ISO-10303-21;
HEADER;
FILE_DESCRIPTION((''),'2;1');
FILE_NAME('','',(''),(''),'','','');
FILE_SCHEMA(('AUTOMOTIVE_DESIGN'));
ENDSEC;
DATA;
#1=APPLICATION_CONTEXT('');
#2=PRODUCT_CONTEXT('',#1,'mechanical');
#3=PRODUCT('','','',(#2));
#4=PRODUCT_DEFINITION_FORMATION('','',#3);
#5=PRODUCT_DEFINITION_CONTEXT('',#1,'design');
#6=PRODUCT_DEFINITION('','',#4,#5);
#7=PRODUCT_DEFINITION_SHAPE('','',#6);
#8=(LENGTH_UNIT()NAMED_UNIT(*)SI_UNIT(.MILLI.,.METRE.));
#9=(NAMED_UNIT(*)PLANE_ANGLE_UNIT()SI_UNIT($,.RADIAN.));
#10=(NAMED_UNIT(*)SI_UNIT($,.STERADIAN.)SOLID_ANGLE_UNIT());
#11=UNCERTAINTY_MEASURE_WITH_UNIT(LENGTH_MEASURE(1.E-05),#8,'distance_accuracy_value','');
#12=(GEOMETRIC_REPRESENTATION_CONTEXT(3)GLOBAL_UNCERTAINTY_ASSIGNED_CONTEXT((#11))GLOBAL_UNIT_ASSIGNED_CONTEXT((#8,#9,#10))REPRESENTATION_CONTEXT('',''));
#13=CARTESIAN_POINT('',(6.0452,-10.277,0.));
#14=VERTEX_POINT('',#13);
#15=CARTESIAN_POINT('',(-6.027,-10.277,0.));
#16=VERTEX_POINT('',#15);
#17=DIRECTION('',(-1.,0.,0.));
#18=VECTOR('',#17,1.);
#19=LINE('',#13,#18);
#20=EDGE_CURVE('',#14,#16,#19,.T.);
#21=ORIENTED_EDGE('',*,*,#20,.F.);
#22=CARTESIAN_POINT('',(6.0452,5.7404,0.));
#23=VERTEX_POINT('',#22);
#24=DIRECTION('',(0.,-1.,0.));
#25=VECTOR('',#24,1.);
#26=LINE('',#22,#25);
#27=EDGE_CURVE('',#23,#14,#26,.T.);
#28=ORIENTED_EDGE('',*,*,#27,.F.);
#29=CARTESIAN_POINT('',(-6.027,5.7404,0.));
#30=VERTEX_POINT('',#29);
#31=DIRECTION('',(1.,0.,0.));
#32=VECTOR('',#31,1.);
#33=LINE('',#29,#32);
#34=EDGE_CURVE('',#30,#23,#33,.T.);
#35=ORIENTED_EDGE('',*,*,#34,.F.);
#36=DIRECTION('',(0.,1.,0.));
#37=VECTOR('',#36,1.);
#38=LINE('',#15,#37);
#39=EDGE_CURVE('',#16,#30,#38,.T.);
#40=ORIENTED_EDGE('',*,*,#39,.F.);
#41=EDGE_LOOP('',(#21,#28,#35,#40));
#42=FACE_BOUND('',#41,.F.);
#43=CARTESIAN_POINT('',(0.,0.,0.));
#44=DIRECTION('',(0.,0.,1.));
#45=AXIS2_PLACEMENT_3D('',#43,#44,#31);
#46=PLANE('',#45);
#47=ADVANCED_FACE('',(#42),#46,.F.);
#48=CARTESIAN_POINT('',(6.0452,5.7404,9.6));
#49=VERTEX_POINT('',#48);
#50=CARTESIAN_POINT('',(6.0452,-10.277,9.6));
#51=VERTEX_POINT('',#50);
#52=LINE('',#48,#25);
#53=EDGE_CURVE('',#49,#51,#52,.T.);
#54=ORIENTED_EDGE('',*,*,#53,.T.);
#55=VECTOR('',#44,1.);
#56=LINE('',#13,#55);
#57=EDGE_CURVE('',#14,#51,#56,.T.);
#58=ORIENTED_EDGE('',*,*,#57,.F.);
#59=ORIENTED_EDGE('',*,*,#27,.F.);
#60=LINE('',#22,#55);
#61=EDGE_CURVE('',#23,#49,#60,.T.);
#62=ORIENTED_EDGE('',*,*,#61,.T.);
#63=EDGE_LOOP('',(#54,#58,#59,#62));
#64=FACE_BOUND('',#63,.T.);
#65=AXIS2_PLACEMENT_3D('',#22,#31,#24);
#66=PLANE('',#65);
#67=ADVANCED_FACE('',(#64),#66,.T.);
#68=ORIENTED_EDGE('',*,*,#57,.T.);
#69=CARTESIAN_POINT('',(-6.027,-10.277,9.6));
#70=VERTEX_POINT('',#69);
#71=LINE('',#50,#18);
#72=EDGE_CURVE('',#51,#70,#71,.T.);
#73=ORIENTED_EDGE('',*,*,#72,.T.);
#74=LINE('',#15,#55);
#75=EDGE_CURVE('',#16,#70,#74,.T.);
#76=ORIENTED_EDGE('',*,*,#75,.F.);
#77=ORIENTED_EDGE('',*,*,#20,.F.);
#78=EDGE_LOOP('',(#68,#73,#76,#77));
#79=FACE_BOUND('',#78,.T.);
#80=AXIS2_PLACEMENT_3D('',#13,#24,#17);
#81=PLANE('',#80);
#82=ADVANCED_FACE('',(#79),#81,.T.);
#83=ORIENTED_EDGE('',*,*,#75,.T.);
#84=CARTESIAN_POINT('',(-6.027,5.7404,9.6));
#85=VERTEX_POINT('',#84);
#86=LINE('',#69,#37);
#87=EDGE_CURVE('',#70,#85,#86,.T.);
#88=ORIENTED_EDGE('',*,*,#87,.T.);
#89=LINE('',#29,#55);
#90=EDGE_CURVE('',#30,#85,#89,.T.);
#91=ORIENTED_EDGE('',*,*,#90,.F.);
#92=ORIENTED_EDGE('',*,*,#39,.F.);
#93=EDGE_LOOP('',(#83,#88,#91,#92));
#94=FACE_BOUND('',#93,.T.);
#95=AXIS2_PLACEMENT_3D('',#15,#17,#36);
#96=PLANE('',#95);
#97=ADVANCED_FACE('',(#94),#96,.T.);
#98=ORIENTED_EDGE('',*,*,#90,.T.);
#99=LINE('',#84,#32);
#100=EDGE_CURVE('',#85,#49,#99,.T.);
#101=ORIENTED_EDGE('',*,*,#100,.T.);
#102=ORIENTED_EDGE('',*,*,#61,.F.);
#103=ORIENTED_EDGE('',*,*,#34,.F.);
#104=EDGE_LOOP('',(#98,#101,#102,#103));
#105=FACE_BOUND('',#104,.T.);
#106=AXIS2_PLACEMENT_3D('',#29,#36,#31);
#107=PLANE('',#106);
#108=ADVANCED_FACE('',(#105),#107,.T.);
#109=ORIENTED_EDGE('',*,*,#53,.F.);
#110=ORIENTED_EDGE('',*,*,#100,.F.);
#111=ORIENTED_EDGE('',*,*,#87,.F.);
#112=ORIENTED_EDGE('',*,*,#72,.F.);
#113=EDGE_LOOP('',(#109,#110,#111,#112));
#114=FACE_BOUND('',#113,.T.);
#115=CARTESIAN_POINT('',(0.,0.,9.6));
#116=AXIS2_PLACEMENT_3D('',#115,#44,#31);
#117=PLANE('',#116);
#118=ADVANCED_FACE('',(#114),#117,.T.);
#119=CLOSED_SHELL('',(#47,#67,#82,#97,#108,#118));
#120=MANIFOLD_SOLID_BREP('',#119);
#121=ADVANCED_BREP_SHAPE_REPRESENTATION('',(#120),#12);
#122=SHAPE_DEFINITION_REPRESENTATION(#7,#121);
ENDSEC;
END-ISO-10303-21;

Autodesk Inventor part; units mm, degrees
ref_plane "YZ Plane" through (0, 0, 0) normal (1, 0, 0) x (0, 1, 0)
ref_plane "XZ Plane" through (0, 0, 0) normal (0, 1, 0) x (-1, 0, 0)
ref_plane "XY Plane" through (0, 0, 0) normal (0, 0, 1) x (1, 0, 0)
sketch "PN61729, USB-B_307" plane through (0, 0, 0) normal (0, 0, 1) x (1, 0, 0)
  line L0 (6.0452, 5.7404) -> (6.0452, -10.277)
  line L1 (6.0452, -10.277) -> (-6.027, -10.277)
  line L2 (-6.027, -10.277) -> (-6.027, 5.7404)
  line L3 (-6.027, 5.7404) -> (6.0452, 5.7404)
extrude "Extrusion1" add sketch "PN61729, USB-B_307" along normal blind 9.6
properties part number "USB-B"
